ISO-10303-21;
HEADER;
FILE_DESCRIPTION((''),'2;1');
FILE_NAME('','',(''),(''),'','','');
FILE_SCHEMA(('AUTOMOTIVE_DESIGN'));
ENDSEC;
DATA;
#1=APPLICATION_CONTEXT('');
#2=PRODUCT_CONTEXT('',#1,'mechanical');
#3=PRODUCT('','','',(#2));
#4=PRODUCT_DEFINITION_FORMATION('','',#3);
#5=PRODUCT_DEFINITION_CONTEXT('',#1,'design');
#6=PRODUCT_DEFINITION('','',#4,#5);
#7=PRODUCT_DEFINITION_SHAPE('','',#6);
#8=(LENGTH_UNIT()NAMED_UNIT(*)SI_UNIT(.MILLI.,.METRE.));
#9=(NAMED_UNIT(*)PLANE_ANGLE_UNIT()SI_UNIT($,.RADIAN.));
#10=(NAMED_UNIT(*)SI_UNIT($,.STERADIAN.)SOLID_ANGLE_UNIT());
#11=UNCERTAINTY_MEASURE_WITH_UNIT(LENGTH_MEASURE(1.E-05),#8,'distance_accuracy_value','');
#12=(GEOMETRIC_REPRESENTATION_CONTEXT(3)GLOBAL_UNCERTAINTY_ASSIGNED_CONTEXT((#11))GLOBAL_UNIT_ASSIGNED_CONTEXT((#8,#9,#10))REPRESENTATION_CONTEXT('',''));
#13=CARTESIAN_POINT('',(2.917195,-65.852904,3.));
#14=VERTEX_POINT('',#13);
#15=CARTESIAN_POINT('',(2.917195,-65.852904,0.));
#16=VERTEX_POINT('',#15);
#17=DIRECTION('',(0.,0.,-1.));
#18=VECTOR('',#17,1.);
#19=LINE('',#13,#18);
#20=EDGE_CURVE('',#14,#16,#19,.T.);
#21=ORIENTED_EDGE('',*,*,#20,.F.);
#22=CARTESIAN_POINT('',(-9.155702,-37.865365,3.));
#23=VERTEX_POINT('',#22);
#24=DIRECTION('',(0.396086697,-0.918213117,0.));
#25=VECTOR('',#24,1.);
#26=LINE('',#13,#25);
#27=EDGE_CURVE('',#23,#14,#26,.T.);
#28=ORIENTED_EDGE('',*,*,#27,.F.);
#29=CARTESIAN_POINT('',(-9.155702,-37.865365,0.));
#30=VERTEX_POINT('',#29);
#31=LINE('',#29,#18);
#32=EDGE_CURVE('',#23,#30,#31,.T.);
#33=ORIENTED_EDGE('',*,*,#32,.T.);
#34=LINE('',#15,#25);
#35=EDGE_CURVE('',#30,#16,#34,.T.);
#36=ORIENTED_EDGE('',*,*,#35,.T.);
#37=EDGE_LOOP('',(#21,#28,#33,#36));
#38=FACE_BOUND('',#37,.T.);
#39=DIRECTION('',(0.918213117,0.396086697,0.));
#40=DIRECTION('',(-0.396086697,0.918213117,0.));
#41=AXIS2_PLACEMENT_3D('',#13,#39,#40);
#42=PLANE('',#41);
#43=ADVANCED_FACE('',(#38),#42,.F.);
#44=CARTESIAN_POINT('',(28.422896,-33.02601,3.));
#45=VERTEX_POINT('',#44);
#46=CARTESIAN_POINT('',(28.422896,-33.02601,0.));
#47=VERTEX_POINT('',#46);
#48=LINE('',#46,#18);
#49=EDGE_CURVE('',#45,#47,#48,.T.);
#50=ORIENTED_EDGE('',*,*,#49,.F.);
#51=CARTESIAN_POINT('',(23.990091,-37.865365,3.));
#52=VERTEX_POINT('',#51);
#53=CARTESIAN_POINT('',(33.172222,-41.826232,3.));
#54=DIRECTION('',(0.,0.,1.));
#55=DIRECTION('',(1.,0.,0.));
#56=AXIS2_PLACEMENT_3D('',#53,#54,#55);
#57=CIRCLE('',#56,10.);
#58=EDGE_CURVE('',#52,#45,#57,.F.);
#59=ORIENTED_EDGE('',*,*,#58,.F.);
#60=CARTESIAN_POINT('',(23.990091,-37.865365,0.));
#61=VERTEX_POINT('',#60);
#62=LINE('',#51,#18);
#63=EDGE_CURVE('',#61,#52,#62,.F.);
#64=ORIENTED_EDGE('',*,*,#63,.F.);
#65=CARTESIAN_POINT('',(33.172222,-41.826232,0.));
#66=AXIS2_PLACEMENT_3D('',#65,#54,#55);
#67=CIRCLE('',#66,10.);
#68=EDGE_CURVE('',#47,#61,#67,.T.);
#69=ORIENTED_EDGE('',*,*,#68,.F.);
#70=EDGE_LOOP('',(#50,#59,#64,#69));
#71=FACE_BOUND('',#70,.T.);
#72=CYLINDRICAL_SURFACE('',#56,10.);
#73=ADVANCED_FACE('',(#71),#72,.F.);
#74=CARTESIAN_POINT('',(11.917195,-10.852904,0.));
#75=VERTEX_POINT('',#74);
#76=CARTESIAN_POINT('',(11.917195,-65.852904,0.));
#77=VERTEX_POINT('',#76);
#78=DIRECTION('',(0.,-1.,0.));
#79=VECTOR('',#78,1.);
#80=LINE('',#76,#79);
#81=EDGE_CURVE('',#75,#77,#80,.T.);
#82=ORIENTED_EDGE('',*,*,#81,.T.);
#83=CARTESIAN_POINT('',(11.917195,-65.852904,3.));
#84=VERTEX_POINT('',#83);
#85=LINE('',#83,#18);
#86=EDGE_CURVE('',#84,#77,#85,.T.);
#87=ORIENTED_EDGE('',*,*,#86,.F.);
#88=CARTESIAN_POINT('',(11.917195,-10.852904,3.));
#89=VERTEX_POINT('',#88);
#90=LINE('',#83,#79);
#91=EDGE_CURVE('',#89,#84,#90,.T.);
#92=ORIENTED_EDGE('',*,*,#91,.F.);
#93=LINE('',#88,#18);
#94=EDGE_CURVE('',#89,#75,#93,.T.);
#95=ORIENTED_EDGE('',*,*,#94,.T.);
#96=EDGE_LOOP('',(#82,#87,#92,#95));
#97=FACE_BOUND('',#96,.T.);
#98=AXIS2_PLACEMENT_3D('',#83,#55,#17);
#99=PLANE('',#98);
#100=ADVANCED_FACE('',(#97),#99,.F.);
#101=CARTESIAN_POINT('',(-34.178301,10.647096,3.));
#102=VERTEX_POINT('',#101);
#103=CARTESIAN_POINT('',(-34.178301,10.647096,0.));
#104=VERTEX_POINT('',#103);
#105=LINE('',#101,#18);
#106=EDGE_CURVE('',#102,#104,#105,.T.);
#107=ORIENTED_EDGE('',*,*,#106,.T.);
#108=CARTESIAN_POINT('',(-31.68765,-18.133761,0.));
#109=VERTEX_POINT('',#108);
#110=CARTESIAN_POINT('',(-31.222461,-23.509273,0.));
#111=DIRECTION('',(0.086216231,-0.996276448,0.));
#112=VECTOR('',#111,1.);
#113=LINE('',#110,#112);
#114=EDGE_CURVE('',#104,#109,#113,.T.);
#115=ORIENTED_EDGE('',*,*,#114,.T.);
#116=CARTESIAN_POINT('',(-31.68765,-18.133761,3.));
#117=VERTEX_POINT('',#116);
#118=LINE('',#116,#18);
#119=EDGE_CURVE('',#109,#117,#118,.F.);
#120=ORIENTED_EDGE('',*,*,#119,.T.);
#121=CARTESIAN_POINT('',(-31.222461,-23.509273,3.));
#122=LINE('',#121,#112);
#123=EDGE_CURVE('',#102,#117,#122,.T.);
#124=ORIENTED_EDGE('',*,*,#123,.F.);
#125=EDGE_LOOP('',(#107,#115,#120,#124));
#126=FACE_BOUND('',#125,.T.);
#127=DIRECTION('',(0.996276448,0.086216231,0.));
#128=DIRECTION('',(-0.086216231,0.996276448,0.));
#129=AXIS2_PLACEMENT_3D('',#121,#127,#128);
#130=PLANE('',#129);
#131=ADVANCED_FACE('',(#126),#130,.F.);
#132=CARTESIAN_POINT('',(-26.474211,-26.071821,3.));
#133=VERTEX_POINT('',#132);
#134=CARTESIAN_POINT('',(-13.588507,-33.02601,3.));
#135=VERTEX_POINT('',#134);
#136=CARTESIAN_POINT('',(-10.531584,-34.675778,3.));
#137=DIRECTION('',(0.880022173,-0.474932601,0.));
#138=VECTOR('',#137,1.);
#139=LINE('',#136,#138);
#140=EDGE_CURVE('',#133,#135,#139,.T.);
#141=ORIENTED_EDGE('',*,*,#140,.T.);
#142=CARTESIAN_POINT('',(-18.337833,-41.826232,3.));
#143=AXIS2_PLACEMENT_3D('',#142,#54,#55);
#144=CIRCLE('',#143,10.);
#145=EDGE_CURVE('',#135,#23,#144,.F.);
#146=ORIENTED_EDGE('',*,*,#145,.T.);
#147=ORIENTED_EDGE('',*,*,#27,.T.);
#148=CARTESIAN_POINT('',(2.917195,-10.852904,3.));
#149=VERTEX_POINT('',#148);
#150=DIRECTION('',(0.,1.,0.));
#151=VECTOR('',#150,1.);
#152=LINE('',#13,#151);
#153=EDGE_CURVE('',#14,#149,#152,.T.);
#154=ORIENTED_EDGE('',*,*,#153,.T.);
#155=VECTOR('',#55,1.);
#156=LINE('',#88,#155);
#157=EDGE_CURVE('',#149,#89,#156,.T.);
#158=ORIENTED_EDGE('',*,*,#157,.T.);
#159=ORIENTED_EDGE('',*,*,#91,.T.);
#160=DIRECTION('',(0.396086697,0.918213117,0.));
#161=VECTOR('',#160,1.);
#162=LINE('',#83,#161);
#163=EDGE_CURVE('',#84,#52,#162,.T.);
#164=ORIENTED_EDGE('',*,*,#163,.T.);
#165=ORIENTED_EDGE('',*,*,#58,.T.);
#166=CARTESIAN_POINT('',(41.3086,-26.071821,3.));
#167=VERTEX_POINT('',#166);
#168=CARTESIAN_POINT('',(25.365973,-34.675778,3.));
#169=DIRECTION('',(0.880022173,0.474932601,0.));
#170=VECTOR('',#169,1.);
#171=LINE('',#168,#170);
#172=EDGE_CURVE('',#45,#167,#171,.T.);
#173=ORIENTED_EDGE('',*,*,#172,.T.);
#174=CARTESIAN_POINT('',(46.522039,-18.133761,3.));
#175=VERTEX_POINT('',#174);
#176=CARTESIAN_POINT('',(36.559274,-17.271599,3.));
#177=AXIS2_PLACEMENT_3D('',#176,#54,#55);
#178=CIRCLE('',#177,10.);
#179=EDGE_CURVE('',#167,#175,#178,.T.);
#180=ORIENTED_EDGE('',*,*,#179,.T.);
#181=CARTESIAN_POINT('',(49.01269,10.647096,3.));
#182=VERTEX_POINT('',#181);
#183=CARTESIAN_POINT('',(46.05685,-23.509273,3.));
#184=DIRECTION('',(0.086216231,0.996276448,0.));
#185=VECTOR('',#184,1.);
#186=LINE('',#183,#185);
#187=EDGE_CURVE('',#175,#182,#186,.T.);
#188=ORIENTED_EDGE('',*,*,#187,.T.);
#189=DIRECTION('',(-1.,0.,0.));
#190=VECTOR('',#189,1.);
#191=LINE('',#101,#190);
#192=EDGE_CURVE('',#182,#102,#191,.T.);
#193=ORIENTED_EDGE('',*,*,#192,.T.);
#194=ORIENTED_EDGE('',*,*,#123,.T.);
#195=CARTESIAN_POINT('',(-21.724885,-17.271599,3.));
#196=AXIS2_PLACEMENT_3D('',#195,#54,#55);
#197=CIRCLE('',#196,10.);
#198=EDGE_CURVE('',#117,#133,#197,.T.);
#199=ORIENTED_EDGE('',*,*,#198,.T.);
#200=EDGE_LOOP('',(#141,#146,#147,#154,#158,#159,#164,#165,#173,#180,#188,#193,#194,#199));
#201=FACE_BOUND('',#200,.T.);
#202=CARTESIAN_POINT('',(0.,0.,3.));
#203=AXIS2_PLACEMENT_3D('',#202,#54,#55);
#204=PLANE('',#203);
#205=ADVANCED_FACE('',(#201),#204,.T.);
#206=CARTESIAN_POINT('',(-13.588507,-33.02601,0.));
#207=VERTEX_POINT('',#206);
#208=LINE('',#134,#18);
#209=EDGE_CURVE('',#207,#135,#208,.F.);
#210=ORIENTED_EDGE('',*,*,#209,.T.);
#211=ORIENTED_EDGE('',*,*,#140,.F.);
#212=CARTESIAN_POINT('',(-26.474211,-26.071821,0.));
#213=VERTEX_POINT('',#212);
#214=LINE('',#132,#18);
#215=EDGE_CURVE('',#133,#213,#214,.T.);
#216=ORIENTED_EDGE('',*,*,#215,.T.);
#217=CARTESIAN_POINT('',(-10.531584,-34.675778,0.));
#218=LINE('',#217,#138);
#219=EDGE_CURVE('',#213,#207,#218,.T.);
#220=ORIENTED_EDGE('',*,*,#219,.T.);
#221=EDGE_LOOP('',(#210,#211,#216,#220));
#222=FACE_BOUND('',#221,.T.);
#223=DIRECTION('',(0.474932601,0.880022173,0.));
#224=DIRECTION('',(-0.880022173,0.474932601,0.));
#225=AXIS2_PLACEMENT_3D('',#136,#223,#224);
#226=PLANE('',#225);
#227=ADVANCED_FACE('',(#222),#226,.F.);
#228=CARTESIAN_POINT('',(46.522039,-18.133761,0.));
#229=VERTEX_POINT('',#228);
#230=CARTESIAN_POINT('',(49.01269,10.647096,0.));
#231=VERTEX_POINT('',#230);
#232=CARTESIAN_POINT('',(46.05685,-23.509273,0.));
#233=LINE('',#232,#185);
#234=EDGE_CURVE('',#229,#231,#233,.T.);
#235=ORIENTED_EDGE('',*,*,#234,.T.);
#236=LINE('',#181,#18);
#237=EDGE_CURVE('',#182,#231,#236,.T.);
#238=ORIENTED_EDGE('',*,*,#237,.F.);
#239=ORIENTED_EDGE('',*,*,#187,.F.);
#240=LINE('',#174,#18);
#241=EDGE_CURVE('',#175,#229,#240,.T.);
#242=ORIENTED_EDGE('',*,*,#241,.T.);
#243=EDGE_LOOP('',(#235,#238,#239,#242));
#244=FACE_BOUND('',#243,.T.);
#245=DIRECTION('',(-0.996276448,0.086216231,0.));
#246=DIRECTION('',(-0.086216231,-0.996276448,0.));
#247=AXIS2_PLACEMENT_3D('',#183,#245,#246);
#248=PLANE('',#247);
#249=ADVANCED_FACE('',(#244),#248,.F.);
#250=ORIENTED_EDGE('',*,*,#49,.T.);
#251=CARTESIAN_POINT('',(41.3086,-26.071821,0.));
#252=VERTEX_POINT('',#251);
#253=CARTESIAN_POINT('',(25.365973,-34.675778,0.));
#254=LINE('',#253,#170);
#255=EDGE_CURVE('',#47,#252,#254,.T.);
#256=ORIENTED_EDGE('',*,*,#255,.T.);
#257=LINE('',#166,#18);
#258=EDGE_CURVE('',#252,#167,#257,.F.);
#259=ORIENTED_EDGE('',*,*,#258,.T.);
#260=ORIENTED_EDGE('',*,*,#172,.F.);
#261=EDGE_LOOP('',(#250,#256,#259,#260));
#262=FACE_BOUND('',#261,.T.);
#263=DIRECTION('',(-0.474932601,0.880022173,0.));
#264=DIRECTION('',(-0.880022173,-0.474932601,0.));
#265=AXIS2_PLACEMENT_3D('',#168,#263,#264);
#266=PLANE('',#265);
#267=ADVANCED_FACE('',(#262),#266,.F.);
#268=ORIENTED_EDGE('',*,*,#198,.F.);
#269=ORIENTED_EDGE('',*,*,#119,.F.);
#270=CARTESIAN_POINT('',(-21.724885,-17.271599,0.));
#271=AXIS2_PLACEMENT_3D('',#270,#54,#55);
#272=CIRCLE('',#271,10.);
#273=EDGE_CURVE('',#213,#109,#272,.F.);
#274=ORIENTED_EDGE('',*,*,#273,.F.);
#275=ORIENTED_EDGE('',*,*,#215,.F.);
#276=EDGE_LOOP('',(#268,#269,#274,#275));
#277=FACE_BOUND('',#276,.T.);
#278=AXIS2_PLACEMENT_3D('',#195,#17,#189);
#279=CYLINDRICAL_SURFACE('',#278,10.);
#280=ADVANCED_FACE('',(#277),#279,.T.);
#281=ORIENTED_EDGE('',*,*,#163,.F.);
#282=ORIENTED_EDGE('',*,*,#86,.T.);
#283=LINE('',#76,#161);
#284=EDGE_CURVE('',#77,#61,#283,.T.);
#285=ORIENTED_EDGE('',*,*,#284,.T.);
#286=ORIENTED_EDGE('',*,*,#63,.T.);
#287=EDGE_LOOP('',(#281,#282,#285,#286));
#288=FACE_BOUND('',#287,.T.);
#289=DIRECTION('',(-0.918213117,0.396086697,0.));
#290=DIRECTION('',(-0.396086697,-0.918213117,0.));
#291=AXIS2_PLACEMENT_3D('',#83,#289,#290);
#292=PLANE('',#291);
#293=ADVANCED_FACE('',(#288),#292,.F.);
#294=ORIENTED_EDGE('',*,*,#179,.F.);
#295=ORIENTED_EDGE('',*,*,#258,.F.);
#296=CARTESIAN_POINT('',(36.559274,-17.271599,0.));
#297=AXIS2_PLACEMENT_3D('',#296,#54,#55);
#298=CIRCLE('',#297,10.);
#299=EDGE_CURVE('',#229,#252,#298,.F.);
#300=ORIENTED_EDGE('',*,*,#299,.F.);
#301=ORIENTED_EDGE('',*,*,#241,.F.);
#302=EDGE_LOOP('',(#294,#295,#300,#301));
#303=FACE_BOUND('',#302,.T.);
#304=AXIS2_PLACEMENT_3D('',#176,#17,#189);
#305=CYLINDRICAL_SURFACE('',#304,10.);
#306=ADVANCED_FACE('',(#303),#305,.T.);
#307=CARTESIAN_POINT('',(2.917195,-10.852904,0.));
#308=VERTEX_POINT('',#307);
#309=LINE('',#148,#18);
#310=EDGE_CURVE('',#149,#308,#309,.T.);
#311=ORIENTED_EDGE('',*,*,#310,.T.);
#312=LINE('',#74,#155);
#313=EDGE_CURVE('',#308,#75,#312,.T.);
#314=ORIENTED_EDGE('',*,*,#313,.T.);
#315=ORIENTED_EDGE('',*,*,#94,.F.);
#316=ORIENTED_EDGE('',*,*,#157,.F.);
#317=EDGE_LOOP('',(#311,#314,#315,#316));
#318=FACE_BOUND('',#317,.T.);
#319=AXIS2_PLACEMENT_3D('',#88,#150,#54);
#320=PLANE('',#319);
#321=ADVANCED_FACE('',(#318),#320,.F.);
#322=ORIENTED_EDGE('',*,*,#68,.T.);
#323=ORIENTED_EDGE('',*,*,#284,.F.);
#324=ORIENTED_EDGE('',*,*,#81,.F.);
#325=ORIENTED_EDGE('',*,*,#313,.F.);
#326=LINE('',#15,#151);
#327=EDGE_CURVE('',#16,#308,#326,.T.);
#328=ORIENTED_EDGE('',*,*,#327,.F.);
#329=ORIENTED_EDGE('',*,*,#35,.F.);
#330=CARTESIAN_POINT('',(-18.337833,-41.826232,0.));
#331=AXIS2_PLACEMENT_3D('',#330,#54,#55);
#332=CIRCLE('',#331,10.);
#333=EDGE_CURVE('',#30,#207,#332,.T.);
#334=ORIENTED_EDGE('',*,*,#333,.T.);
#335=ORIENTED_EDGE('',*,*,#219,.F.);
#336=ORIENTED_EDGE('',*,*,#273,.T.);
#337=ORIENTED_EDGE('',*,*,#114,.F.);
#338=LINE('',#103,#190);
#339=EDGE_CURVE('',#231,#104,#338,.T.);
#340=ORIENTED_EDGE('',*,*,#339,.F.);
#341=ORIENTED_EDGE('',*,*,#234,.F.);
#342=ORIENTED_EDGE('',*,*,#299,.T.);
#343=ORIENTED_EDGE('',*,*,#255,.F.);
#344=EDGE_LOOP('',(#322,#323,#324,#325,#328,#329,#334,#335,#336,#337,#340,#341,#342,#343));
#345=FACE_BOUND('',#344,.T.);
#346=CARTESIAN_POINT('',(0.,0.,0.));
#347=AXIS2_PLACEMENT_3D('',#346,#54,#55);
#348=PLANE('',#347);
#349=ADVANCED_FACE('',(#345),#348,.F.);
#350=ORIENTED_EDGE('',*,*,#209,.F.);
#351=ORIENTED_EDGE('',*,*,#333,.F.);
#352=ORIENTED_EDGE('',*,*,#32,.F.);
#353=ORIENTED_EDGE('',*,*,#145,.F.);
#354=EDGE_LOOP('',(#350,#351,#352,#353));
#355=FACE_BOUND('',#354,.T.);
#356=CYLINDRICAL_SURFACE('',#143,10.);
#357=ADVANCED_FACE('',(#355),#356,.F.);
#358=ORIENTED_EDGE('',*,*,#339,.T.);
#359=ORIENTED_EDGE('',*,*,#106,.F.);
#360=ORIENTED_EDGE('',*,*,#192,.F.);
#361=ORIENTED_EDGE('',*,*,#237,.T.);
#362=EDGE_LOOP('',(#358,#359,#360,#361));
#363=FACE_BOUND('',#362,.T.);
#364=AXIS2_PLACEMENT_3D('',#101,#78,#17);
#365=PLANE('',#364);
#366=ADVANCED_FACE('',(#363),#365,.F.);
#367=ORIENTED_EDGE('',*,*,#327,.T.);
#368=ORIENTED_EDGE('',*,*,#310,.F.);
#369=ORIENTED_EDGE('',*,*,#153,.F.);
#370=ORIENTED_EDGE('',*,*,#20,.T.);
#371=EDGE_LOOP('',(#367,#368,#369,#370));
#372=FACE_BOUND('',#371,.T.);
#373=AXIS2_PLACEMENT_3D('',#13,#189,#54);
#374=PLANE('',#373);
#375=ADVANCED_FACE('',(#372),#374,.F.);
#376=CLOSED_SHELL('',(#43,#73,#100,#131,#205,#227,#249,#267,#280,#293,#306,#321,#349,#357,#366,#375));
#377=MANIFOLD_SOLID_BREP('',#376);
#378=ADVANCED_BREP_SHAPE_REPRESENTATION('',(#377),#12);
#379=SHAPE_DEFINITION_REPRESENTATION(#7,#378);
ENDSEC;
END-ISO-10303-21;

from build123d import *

# Parameters (mm, degrees)
BOSS_EXTRU_1_DEPTH = 3
CONG_1_R           = 10


with BuildPart() as part:
    # Esquisse1 → Boss.-Extru.1 (new body)
    with BuildSketch(Plane.XY):
        Polygon((11.917194627, -65.85290432), (11.917194627, -10.85290432), (2.917194627, -10.85290432), (2.917194627, -65.85290432), (-10.53158391, -34.67577833), (-31.222461176, -23.509273139), (-34.178300785, 10.64709568), (49.012690039, 10.64709568), (46.05685043, -23.509273139), (25.365973164, -34.67577833), align=None)
    extrude(amount=BOSS_EXTRU_1_DEPTH)

    # Congé1
    cong_1_edges = [part.edges().sort_by_distance(p)[0] for p in [
        (-10.53158391, -34.67577833, 1.5),
        (-31.222461176, -23.509273139, 1.5),
        (46.05685043, -23.509273139, 1.5),
        (25.365973164, -34.67577833, 1.5),
    ]]
    fillet(cong_1_edges, radius=CONG_1_R)


solid = part.part
